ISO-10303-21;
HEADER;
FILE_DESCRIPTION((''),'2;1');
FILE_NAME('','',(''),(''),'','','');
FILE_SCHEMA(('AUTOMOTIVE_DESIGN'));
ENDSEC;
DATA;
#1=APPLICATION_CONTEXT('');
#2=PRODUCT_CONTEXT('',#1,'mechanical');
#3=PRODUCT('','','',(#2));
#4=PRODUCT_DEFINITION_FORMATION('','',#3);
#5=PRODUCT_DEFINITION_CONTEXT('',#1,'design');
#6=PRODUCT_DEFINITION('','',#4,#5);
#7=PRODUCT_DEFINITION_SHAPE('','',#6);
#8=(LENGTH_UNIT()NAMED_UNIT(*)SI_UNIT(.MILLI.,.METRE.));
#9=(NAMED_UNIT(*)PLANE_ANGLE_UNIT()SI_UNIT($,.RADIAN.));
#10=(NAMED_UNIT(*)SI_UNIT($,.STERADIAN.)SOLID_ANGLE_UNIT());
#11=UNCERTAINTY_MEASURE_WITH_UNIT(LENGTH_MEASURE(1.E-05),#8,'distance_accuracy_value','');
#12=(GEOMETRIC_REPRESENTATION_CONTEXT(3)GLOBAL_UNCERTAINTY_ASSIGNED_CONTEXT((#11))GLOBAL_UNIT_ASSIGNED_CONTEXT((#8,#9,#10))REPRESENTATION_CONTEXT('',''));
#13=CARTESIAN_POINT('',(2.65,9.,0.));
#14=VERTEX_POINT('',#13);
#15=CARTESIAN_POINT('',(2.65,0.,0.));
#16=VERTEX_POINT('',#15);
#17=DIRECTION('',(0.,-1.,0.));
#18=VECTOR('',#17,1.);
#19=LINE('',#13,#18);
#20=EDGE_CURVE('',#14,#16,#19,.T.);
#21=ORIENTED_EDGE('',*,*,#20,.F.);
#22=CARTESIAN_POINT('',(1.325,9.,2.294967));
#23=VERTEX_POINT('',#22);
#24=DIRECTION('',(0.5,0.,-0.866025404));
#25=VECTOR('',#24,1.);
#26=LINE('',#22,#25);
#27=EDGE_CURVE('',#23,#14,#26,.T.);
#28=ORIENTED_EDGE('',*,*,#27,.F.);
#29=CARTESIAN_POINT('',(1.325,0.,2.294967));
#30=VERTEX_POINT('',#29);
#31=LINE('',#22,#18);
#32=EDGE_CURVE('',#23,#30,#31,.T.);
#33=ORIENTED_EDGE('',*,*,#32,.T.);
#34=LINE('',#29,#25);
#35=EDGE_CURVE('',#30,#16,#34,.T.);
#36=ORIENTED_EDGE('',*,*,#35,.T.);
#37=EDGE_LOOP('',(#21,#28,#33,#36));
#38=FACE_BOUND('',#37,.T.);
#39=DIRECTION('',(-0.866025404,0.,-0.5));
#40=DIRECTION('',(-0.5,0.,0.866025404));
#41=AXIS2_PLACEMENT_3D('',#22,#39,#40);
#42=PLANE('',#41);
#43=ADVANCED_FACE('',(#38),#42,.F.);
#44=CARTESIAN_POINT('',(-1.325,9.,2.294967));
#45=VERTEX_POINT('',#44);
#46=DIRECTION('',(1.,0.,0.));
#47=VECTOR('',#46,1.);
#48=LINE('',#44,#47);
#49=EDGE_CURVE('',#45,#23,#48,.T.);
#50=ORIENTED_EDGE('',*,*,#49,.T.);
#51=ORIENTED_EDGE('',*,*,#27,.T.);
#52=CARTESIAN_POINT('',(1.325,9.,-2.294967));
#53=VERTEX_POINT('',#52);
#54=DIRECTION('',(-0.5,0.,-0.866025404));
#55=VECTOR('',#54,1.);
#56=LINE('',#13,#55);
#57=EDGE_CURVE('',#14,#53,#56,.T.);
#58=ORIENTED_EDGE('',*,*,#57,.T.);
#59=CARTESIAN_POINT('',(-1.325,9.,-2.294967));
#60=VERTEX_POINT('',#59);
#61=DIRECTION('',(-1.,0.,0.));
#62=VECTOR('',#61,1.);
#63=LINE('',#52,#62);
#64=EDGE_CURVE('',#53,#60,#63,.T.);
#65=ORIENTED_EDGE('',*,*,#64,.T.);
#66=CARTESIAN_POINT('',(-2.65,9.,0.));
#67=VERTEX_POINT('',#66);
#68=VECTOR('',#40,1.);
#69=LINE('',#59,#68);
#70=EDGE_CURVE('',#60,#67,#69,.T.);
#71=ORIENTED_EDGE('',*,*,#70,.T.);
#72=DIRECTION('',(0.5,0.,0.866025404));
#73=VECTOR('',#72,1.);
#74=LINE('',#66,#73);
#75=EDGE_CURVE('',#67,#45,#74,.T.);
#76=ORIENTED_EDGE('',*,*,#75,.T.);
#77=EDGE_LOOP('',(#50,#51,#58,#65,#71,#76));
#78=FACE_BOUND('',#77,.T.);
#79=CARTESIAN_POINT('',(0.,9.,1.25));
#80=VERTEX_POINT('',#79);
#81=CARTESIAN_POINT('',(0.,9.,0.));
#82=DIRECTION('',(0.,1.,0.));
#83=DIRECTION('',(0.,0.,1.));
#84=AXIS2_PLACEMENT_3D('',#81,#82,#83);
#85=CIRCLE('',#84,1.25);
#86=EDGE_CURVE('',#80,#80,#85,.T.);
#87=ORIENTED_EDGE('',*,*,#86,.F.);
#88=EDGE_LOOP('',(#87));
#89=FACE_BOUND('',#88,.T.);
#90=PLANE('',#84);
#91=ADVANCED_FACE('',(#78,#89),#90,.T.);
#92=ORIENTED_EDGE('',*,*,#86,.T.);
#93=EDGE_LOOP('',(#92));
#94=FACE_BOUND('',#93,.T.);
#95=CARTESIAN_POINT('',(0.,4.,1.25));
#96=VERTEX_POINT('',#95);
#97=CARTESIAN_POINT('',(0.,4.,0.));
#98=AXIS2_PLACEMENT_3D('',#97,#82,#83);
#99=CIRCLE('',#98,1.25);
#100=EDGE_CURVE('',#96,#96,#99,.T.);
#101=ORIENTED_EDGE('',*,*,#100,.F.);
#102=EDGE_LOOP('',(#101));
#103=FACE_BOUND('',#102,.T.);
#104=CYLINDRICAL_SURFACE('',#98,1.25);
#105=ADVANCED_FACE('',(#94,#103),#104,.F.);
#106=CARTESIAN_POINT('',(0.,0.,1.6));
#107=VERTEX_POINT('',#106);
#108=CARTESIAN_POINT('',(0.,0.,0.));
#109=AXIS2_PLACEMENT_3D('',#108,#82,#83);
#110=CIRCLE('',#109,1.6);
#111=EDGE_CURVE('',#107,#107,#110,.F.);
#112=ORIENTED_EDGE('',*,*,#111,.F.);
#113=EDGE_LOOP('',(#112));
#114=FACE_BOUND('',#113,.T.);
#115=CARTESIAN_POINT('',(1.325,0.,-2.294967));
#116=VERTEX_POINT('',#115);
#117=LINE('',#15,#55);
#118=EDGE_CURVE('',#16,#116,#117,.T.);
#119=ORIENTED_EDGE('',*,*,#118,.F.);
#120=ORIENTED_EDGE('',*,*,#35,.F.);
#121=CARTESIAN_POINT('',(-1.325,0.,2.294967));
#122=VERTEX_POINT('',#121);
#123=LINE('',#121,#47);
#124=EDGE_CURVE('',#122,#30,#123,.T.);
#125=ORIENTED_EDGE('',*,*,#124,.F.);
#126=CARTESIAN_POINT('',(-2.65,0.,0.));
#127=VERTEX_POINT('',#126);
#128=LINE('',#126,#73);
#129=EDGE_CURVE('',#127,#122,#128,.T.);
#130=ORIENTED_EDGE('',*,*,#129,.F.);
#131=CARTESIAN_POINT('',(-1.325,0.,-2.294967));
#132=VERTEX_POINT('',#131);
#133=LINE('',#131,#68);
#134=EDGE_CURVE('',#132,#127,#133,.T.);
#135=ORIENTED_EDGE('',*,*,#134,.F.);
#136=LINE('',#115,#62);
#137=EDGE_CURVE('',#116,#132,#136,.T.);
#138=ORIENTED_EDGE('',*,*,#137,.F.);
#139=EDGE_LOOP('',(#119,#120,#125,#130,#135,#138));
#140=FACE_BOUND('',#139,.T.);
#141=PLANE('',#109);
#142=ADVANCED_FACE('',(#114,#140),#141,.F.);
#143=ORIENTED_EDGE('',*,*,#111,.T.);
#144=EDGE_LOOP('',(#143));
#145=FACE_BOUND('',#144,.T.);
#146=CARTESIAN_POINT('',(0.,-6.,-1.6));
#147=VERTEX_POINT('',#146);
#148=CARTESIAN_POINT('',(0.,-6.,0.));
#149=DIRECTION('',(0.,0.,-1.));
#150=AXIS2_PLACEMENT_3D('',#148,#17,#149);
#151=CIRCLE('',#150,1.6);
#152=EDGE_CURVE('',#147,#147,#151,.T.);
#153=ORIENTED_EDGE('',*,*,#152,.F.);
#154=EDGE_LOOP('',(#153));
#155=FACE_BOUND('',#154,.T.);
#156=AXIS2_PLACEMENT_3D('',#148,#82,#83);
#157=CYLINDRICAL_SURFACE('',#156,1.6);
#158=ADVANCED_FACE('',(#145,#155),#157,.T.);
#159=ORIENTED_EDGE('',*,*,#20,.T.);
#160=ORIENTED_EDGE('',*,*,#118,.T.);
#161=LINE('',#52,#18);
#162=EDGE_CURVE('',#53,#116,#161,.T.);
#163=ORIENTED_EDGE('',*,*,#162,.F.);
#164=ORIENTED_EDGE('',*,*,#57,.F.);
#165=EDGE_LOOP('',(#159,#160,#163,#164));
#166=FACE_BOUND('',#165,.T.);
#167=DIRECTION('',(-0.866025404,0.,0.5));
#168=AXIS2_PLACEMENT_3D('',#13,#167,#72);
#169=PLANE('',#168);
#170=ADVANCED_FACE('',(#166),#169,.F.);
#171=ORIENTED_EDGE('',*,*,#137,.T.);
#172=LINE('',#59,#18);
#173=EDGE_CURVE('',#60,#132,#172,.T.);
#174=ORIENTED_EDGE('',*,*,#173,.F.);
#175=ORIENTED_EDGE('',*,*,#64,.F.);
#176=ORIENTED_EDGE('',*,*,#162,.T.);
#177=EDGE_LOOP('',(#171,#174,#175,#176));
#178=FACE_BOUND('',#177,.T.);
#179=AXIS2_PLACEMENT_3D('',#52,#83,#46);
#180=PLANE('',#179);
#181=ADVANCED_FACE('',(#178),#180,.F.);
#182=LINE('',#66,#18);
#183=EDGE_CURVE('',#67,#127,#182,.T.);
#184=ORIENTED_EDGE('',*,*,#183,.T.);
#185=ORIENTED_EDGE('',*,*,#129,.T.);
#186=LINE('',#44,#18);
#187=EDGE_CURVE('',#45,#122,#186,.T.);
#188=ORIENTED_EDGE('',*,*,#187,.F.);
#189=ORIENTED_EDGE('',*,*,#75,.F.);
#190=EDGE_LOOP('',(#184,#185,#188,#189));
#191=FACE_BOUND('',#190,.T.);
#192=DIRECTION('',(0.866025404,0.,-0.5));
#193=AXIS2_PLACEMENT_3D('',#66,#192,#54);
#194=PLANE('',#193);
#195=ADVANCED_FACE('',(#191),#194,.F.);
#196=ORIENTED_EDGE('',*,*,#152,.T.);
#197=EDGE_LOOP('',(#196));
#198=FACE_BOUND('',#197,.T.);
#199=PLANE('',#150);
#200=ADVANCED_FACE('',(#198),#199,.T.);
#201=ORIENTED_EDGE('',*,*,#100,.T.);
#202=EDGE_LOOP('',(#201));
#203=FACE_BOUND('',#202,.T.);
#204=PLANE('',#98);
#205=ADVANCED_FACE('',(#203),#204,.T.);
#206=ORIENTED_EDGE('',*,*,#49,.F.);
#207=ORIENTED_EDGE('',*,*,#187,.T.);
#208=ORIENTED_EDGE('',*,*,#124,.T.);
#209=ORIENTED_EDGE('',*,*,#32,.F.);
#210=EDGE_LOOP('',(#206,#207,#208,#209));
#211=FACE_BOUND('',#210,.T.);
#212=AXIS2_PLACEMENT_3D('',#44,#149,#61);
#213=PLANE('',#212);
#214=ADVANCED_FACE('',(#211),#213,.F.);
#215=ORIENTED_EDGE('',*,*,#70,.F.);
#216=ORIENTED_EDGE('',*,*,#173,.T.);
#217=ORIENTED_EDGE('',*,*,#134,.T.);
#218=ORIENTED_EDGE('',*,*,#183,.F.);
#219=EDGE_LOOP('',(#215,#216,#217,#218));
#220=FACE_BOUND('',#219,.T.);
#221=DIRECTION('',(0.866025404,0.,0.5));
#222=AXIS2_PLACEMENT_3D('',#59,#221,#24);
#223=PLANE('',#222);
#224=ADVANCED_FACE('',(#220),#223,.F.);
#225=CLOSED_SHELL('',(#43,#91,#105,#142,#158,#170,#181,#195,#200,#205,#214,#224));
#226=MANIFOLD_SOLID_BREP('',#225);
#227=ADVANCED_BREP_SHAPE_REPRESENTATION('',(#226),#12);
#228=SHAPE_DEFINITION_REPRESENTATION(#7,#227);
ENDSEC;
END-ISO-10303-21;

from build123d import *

# Parameters (mm, degrees)
EXTRUDE_1_DEPTH     = 9
SKETCH_6_R          = 1.6
EXTRUDE_2_DEPTH     = 6
SKETCH_7_R          = 1.25
CUT_EXTRUDE_1_DEPTH = 5


with BuildPart() as part:
    # 草图4 → 凸台-拉伸1 (new body)
    with BuildSketch(Plane(origin=(0, 0, 0), x_dir=(1, 0, 0), z_dir=(0, 1, 0))):
        Polygon((1.325, -2.29496732), (2.65, 0), (1.325, 2.29496732), (-1.325, 2.29496732), (-2.65, 0), (-1.325, -2.29496732), align=None)
    extrude(amount=EXTRUDE_1_DEPTH)

    # 草图6 → 凸台-拉伸2 (add)
    with BuildSketch(Plane(origin=(0, 0, 0), x_dir=(-1, 0, 0), z_dir=(0, -1, 0))):
        with Locations(Location((0, 0, 0), (0, 0, 270))):
            Circle(SKETCH_6_R)
    extrude(amount=EXTRUDE_2_DEPTH)

    # 草图7 → 切除-拉伸1 (cut)
    with BuildSketch(Plane(origin=(0, 9, 0), x_dir=(1, 0, 0), z_dir=(0, 1, 0))):
        with Locations(Location((0, 0, 0), (0, 0, 270))):
            Circle(SKETCH_7_R)
    extrude(amount=-CUT_EXTRUDE_1_DEPTH, mode=Mode.SUBTRACT)


solid = part.part
